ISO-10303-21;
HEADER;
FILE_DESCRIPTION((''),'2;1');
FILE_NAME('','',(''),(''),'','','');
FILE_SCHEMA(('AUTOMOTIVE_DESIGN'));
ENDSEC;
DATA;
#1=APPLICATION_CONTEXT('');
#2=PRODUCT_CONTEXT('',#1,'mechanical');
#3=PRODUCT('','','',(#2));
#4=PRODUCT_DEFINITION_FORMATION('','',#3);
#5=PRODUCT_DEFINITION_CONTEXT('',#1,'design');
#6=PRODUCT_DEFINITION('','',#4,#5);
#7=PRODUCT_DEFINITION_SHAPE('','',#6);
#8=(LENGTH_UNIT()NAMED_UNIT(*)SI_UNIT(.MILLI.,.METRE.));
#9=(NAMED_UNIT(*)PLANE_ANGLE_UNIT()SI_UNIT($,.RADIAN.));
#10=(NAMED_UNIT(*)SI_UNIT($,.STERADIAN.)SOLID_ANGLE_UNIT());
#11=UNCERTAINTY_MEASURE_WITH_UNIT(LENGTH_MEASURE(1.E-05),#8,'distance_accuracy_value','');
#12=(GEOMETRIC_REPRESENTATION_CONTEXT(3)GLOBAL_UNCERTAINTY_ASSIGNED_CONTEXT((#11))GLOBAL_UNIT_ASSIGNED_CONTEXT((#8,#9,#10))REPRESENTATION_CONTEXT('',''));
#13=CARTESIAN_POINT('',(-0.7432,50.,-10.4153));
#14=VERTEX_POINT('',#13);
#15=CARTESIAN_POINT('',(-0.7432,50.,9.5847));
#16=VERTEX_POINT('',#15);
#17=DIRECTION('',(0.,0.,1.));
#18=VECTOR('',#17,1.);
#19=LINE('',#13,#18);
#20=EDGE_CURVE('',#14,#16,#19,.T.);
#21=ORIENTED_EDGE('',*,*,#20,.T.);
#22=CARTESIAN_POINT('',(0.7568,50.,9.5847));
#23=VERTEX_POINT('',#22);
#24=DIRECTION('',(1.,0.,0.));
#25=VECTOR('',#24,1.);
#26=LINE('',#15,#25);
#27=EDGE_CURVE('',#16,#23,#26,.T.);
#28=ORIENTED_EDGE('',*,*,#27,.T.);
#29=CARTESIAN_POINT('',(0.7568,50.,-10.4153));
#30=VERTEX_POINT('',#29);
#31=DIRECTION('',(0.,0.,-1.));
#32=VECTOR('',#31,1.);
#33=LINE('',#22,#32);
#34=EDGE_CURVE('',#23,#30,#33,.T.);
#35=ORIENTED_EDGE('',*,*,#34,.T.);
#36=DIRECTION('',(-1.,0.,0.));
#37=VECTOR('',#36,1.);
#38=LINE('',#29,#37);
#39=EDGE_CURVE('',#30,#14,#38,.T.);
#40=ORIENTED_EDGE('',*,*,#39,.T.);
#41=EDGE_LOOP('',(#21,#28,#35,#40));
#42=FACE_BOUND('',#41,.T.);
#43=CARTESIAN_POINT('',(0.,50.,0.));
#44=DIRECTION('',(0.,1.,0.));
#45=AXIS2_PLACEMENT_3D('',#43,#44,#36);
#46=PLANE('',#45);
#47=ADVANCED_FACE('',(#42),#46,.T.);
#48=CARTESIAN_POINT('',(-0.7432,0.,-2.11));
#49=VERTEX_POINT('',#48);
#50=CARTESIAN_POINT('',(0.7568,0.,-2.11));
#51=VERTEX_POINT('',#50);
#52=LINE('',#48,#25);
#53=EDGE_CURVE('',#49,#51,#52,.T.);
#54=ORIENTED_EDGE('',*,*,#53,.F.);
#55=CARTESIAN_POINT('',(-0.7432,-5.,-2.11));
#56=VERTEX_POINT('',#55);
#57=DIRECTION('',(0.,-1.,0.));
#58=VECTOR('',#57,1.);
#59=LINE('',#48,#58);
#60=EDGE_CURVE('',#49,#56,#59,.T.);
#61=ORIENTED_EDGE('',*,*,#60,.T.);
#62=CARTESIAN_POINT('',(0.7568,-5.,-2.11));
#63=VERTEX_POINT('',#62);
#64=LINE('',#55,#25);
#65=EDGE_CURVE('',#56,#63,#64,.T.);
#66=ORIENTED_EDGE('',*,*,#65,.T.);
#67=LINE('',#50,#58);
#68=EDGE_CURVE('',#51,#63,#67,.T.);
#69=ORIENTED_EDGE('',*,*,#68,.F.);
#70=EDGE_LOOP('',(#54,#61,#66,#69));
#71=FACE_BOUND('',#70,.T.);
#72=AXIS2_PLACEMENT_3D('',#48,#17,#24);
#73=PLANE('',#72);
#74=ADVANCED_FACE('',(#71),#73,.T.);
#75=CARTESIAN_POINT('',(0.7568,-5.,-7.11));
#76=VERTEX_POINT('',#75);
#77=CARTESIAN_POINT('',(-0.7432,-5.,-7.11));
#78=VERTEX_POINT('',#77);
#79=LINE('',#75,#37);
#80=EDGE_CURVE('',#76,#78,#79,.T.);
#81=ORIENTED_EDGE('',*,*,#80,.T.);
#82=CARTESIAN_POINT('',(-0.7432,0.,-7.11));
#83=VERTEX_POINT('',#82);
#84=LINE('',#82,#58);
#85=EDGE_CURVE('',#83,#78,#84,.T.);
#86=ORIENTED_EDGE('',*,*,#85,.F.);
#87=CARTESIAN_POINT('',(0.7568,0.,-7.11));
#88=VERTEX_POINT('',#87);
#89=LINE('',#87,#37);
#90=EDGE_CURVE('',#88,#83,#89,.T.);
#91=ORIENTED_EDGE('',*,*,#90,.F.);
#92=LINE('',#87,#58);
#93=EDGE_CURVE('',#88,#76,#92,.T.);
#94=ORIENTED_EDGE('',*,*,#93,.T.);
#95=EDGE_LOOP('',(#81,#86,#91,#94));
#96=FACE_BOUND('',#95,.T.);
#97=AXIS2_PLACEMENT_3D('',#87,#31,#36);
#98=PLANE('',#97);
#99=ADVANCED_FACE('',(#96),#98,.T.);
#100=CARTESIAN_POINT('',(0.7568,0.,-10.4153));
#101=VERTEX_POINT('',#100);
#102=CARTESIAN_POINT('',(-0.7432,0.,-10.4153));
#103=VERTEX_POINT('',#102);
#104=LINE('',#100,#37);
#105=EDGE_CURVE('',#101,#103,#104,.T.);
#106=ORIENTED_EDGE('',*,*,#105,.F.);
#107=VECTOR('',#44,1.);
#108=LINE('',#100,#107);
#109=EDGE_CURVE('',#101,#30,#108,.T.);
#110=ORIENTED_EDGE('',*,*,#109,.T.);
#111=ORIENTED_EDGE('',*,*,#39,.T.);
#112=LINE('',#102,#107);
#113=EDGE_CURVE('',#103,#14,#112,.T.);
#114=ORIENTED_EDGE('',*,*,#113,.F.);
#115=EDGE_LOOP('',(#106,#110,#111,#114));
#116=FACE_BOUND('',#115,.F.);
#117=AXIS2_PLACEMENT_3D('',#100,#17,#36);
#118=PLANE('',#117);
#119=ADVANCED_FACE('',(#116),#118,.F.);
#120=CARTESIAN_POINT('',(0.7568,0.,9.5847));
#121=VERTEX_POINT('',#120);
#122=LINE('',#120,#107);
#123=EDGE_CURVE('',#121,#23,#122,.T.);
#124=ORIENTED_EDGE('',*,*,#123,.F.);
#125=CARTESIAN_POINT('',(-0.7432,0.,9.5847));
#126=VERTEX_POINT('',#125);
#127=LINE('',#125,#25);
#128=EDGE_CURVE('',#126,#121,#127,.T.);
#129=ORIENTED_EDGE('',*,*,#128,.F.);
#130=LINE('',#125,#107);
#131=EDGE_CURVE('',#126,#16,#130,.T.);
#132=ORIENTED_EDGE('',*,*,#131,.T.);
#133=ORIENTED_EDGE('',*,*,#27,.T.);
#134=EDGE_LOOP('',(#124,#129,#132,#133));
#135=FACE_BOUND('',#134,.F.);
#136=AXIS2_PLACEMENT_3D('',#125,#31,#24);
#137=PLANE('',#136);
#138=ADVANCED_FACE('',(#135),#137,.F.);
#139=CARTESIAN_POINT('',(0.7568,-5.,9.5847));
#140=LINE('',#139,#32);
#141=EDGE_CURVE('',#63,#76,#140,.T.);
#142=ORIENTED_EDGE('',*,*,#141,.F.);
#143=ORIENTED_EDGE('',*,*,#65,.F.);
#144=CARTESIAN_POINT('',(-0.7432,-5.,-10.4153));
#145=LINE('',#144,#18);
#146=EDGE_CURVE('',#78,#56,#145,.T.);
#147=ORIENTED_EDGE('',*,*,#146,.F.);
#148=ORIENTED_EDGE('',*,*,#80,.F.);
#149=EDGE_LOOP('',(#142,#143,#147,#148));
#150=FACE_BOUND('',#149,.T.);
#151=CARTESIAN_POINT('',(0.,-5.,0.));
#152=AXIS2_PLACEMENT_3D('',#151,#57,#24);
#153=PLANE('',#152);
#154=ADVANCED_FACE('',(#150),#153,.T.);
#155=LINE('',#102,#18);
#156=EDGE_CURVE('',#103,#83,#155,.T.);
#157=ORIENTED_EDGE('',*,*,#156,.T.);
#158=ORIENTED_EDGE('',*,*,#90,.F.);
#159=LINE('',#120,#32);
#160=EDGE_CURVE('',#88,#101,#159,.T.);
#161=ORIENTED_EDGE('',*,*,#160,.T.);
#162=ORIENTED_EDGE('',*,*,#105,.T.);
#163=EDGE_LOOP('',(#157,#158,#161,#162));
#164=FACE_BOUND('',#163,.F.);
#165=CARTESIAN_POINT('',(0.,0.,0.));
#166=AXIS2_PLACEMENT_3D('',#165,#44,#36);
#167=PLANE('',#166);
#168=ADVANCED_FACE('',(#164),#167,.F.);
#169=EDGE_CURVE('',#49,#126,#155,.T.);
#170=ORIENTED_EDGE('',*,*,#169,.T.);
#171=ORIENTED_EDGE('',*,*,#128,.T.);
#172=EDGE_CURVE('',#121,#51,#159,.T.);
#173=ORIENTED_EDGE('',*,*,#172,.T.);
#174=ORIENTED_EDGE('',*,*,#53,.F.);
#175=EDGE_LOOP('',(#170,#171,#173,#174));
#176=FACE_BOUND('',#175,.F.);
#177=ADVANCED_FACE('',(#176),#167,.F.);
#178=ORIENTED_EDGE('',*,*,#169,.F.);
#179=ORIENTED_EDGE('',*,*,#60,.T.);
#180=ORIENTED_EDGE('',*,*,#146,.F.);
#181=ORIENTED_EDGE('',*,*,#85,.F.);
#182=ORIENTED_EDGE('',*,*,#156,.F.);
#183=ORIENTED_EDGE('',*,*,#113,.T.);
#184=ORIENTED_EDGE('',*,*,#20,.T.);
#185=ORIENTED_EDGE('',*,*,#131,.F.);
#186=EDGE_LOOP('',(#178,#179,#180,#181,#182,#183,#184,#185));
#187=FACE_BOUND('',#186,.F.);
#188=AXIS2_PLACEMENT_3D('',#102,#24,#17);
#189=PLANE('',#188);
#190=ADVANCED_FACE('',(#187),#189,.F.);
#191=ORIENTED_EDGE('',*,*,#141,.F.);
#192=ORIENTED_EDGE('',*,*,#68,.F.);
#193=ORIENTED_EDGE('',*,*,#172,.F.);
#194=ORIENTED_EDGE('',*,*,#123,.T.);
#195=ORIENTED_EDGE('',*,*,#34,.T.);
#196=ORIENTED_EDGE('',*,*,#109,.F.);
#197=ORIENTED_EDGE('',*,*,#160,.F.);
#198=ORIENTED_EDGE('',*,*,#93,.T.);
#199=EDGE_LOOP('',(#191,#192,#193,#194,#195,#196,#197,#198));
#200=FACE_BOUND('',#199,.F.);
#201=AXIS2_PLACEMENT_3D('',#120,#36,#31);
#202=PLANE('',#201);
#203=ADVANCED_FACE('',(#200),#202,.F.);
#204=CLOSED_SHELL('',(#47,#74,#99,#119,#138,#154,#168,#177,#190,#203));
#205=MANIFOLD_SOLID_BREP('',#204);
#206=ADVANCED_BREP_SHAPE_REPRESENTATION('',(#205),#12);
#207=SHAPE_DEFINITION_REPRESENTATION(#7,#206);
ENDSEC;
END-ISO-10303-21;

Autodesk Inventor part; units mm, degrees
ref_plane "YZ Plane" through (0, 0, 0) normal (1, 0, 0) x (0, 1, 0)
ref_plane "XZ Plane" through (0, 0, 0) normal (0, 1, 0) x (-1, 0, 0)
ref_plane "XY Plane" through (0, 0, 0) normal (0, 0, 1) x (1, 0, 0)
sketch "Sketch1" plane through (0, 0, 0) normal (0, 1, 0) x (-1, 0, 0)
  line L0 (0.7432, 9.5847) -> (-0.7568, 9.5847)
  line L1 (-0.7568, 9.5847) -> (-0.7568, -10.4153)
  line L2 (-0.7568, -10.4153) -> (0.7432, -10.4153)
  line L3 (0.7432, -10.4153) -> (0.7432, 9.5847)
  point P0 (0, 0)
  dimension "d0" = 20
  dimension "d1" = 1.5
extrude "Extrusion1" add sketch "Sketch1" along normal blind 50
sketch "Sketch2" plane through (0, 0, 0) normal (0, -1, 0) x (1, 0, 0)
  point P0 (0, 0)
sketch "Sketch3" plane through (0, 0, 0) normal (0, -1, 0) x (1, 0, 0)
  line L0 (-0.7432, -10.4153) -> (-0.7432, 9.5847) projected
  line L1 (0.7568, 9.5847) -> (0.7568, -10.4153) projected
  line L2 (-0.7432, 6.59) -> (0.7568, 6.59)
  line L3 (0.7568, 6.59) -> (0.7568, 1.59)
  line L4 (0.7568, 1.59) -> (-0.7432, 1.59)
  line L5 (-0.7432, 1.59) -> (-0.7432, 6.59)
  line L6 (-0.7432, -2.11) -> (0.7568, -2.11)
  line L7 (0.7568, -2.11) -> (0.7568, -7.11)
  line L8 (0.7568, -7.11) -> (-0.7432, -7.11)
  line L9 (-0.7432, -7.11) -> (-0.7432, -2.11)
  point P0 (0, 0)
  point P1 (-0.7432, -7.11)
  point P2 (0.7568, -2.11)
  dimension "d4" = 5
  dimension "d5" = 5
extrude "Extrusion2" add sketch "Sketch3" along normal blind 5 contours L0 L6 L1 L8
properties part number "Arcylic_Panel_Base_20mm_P2"
